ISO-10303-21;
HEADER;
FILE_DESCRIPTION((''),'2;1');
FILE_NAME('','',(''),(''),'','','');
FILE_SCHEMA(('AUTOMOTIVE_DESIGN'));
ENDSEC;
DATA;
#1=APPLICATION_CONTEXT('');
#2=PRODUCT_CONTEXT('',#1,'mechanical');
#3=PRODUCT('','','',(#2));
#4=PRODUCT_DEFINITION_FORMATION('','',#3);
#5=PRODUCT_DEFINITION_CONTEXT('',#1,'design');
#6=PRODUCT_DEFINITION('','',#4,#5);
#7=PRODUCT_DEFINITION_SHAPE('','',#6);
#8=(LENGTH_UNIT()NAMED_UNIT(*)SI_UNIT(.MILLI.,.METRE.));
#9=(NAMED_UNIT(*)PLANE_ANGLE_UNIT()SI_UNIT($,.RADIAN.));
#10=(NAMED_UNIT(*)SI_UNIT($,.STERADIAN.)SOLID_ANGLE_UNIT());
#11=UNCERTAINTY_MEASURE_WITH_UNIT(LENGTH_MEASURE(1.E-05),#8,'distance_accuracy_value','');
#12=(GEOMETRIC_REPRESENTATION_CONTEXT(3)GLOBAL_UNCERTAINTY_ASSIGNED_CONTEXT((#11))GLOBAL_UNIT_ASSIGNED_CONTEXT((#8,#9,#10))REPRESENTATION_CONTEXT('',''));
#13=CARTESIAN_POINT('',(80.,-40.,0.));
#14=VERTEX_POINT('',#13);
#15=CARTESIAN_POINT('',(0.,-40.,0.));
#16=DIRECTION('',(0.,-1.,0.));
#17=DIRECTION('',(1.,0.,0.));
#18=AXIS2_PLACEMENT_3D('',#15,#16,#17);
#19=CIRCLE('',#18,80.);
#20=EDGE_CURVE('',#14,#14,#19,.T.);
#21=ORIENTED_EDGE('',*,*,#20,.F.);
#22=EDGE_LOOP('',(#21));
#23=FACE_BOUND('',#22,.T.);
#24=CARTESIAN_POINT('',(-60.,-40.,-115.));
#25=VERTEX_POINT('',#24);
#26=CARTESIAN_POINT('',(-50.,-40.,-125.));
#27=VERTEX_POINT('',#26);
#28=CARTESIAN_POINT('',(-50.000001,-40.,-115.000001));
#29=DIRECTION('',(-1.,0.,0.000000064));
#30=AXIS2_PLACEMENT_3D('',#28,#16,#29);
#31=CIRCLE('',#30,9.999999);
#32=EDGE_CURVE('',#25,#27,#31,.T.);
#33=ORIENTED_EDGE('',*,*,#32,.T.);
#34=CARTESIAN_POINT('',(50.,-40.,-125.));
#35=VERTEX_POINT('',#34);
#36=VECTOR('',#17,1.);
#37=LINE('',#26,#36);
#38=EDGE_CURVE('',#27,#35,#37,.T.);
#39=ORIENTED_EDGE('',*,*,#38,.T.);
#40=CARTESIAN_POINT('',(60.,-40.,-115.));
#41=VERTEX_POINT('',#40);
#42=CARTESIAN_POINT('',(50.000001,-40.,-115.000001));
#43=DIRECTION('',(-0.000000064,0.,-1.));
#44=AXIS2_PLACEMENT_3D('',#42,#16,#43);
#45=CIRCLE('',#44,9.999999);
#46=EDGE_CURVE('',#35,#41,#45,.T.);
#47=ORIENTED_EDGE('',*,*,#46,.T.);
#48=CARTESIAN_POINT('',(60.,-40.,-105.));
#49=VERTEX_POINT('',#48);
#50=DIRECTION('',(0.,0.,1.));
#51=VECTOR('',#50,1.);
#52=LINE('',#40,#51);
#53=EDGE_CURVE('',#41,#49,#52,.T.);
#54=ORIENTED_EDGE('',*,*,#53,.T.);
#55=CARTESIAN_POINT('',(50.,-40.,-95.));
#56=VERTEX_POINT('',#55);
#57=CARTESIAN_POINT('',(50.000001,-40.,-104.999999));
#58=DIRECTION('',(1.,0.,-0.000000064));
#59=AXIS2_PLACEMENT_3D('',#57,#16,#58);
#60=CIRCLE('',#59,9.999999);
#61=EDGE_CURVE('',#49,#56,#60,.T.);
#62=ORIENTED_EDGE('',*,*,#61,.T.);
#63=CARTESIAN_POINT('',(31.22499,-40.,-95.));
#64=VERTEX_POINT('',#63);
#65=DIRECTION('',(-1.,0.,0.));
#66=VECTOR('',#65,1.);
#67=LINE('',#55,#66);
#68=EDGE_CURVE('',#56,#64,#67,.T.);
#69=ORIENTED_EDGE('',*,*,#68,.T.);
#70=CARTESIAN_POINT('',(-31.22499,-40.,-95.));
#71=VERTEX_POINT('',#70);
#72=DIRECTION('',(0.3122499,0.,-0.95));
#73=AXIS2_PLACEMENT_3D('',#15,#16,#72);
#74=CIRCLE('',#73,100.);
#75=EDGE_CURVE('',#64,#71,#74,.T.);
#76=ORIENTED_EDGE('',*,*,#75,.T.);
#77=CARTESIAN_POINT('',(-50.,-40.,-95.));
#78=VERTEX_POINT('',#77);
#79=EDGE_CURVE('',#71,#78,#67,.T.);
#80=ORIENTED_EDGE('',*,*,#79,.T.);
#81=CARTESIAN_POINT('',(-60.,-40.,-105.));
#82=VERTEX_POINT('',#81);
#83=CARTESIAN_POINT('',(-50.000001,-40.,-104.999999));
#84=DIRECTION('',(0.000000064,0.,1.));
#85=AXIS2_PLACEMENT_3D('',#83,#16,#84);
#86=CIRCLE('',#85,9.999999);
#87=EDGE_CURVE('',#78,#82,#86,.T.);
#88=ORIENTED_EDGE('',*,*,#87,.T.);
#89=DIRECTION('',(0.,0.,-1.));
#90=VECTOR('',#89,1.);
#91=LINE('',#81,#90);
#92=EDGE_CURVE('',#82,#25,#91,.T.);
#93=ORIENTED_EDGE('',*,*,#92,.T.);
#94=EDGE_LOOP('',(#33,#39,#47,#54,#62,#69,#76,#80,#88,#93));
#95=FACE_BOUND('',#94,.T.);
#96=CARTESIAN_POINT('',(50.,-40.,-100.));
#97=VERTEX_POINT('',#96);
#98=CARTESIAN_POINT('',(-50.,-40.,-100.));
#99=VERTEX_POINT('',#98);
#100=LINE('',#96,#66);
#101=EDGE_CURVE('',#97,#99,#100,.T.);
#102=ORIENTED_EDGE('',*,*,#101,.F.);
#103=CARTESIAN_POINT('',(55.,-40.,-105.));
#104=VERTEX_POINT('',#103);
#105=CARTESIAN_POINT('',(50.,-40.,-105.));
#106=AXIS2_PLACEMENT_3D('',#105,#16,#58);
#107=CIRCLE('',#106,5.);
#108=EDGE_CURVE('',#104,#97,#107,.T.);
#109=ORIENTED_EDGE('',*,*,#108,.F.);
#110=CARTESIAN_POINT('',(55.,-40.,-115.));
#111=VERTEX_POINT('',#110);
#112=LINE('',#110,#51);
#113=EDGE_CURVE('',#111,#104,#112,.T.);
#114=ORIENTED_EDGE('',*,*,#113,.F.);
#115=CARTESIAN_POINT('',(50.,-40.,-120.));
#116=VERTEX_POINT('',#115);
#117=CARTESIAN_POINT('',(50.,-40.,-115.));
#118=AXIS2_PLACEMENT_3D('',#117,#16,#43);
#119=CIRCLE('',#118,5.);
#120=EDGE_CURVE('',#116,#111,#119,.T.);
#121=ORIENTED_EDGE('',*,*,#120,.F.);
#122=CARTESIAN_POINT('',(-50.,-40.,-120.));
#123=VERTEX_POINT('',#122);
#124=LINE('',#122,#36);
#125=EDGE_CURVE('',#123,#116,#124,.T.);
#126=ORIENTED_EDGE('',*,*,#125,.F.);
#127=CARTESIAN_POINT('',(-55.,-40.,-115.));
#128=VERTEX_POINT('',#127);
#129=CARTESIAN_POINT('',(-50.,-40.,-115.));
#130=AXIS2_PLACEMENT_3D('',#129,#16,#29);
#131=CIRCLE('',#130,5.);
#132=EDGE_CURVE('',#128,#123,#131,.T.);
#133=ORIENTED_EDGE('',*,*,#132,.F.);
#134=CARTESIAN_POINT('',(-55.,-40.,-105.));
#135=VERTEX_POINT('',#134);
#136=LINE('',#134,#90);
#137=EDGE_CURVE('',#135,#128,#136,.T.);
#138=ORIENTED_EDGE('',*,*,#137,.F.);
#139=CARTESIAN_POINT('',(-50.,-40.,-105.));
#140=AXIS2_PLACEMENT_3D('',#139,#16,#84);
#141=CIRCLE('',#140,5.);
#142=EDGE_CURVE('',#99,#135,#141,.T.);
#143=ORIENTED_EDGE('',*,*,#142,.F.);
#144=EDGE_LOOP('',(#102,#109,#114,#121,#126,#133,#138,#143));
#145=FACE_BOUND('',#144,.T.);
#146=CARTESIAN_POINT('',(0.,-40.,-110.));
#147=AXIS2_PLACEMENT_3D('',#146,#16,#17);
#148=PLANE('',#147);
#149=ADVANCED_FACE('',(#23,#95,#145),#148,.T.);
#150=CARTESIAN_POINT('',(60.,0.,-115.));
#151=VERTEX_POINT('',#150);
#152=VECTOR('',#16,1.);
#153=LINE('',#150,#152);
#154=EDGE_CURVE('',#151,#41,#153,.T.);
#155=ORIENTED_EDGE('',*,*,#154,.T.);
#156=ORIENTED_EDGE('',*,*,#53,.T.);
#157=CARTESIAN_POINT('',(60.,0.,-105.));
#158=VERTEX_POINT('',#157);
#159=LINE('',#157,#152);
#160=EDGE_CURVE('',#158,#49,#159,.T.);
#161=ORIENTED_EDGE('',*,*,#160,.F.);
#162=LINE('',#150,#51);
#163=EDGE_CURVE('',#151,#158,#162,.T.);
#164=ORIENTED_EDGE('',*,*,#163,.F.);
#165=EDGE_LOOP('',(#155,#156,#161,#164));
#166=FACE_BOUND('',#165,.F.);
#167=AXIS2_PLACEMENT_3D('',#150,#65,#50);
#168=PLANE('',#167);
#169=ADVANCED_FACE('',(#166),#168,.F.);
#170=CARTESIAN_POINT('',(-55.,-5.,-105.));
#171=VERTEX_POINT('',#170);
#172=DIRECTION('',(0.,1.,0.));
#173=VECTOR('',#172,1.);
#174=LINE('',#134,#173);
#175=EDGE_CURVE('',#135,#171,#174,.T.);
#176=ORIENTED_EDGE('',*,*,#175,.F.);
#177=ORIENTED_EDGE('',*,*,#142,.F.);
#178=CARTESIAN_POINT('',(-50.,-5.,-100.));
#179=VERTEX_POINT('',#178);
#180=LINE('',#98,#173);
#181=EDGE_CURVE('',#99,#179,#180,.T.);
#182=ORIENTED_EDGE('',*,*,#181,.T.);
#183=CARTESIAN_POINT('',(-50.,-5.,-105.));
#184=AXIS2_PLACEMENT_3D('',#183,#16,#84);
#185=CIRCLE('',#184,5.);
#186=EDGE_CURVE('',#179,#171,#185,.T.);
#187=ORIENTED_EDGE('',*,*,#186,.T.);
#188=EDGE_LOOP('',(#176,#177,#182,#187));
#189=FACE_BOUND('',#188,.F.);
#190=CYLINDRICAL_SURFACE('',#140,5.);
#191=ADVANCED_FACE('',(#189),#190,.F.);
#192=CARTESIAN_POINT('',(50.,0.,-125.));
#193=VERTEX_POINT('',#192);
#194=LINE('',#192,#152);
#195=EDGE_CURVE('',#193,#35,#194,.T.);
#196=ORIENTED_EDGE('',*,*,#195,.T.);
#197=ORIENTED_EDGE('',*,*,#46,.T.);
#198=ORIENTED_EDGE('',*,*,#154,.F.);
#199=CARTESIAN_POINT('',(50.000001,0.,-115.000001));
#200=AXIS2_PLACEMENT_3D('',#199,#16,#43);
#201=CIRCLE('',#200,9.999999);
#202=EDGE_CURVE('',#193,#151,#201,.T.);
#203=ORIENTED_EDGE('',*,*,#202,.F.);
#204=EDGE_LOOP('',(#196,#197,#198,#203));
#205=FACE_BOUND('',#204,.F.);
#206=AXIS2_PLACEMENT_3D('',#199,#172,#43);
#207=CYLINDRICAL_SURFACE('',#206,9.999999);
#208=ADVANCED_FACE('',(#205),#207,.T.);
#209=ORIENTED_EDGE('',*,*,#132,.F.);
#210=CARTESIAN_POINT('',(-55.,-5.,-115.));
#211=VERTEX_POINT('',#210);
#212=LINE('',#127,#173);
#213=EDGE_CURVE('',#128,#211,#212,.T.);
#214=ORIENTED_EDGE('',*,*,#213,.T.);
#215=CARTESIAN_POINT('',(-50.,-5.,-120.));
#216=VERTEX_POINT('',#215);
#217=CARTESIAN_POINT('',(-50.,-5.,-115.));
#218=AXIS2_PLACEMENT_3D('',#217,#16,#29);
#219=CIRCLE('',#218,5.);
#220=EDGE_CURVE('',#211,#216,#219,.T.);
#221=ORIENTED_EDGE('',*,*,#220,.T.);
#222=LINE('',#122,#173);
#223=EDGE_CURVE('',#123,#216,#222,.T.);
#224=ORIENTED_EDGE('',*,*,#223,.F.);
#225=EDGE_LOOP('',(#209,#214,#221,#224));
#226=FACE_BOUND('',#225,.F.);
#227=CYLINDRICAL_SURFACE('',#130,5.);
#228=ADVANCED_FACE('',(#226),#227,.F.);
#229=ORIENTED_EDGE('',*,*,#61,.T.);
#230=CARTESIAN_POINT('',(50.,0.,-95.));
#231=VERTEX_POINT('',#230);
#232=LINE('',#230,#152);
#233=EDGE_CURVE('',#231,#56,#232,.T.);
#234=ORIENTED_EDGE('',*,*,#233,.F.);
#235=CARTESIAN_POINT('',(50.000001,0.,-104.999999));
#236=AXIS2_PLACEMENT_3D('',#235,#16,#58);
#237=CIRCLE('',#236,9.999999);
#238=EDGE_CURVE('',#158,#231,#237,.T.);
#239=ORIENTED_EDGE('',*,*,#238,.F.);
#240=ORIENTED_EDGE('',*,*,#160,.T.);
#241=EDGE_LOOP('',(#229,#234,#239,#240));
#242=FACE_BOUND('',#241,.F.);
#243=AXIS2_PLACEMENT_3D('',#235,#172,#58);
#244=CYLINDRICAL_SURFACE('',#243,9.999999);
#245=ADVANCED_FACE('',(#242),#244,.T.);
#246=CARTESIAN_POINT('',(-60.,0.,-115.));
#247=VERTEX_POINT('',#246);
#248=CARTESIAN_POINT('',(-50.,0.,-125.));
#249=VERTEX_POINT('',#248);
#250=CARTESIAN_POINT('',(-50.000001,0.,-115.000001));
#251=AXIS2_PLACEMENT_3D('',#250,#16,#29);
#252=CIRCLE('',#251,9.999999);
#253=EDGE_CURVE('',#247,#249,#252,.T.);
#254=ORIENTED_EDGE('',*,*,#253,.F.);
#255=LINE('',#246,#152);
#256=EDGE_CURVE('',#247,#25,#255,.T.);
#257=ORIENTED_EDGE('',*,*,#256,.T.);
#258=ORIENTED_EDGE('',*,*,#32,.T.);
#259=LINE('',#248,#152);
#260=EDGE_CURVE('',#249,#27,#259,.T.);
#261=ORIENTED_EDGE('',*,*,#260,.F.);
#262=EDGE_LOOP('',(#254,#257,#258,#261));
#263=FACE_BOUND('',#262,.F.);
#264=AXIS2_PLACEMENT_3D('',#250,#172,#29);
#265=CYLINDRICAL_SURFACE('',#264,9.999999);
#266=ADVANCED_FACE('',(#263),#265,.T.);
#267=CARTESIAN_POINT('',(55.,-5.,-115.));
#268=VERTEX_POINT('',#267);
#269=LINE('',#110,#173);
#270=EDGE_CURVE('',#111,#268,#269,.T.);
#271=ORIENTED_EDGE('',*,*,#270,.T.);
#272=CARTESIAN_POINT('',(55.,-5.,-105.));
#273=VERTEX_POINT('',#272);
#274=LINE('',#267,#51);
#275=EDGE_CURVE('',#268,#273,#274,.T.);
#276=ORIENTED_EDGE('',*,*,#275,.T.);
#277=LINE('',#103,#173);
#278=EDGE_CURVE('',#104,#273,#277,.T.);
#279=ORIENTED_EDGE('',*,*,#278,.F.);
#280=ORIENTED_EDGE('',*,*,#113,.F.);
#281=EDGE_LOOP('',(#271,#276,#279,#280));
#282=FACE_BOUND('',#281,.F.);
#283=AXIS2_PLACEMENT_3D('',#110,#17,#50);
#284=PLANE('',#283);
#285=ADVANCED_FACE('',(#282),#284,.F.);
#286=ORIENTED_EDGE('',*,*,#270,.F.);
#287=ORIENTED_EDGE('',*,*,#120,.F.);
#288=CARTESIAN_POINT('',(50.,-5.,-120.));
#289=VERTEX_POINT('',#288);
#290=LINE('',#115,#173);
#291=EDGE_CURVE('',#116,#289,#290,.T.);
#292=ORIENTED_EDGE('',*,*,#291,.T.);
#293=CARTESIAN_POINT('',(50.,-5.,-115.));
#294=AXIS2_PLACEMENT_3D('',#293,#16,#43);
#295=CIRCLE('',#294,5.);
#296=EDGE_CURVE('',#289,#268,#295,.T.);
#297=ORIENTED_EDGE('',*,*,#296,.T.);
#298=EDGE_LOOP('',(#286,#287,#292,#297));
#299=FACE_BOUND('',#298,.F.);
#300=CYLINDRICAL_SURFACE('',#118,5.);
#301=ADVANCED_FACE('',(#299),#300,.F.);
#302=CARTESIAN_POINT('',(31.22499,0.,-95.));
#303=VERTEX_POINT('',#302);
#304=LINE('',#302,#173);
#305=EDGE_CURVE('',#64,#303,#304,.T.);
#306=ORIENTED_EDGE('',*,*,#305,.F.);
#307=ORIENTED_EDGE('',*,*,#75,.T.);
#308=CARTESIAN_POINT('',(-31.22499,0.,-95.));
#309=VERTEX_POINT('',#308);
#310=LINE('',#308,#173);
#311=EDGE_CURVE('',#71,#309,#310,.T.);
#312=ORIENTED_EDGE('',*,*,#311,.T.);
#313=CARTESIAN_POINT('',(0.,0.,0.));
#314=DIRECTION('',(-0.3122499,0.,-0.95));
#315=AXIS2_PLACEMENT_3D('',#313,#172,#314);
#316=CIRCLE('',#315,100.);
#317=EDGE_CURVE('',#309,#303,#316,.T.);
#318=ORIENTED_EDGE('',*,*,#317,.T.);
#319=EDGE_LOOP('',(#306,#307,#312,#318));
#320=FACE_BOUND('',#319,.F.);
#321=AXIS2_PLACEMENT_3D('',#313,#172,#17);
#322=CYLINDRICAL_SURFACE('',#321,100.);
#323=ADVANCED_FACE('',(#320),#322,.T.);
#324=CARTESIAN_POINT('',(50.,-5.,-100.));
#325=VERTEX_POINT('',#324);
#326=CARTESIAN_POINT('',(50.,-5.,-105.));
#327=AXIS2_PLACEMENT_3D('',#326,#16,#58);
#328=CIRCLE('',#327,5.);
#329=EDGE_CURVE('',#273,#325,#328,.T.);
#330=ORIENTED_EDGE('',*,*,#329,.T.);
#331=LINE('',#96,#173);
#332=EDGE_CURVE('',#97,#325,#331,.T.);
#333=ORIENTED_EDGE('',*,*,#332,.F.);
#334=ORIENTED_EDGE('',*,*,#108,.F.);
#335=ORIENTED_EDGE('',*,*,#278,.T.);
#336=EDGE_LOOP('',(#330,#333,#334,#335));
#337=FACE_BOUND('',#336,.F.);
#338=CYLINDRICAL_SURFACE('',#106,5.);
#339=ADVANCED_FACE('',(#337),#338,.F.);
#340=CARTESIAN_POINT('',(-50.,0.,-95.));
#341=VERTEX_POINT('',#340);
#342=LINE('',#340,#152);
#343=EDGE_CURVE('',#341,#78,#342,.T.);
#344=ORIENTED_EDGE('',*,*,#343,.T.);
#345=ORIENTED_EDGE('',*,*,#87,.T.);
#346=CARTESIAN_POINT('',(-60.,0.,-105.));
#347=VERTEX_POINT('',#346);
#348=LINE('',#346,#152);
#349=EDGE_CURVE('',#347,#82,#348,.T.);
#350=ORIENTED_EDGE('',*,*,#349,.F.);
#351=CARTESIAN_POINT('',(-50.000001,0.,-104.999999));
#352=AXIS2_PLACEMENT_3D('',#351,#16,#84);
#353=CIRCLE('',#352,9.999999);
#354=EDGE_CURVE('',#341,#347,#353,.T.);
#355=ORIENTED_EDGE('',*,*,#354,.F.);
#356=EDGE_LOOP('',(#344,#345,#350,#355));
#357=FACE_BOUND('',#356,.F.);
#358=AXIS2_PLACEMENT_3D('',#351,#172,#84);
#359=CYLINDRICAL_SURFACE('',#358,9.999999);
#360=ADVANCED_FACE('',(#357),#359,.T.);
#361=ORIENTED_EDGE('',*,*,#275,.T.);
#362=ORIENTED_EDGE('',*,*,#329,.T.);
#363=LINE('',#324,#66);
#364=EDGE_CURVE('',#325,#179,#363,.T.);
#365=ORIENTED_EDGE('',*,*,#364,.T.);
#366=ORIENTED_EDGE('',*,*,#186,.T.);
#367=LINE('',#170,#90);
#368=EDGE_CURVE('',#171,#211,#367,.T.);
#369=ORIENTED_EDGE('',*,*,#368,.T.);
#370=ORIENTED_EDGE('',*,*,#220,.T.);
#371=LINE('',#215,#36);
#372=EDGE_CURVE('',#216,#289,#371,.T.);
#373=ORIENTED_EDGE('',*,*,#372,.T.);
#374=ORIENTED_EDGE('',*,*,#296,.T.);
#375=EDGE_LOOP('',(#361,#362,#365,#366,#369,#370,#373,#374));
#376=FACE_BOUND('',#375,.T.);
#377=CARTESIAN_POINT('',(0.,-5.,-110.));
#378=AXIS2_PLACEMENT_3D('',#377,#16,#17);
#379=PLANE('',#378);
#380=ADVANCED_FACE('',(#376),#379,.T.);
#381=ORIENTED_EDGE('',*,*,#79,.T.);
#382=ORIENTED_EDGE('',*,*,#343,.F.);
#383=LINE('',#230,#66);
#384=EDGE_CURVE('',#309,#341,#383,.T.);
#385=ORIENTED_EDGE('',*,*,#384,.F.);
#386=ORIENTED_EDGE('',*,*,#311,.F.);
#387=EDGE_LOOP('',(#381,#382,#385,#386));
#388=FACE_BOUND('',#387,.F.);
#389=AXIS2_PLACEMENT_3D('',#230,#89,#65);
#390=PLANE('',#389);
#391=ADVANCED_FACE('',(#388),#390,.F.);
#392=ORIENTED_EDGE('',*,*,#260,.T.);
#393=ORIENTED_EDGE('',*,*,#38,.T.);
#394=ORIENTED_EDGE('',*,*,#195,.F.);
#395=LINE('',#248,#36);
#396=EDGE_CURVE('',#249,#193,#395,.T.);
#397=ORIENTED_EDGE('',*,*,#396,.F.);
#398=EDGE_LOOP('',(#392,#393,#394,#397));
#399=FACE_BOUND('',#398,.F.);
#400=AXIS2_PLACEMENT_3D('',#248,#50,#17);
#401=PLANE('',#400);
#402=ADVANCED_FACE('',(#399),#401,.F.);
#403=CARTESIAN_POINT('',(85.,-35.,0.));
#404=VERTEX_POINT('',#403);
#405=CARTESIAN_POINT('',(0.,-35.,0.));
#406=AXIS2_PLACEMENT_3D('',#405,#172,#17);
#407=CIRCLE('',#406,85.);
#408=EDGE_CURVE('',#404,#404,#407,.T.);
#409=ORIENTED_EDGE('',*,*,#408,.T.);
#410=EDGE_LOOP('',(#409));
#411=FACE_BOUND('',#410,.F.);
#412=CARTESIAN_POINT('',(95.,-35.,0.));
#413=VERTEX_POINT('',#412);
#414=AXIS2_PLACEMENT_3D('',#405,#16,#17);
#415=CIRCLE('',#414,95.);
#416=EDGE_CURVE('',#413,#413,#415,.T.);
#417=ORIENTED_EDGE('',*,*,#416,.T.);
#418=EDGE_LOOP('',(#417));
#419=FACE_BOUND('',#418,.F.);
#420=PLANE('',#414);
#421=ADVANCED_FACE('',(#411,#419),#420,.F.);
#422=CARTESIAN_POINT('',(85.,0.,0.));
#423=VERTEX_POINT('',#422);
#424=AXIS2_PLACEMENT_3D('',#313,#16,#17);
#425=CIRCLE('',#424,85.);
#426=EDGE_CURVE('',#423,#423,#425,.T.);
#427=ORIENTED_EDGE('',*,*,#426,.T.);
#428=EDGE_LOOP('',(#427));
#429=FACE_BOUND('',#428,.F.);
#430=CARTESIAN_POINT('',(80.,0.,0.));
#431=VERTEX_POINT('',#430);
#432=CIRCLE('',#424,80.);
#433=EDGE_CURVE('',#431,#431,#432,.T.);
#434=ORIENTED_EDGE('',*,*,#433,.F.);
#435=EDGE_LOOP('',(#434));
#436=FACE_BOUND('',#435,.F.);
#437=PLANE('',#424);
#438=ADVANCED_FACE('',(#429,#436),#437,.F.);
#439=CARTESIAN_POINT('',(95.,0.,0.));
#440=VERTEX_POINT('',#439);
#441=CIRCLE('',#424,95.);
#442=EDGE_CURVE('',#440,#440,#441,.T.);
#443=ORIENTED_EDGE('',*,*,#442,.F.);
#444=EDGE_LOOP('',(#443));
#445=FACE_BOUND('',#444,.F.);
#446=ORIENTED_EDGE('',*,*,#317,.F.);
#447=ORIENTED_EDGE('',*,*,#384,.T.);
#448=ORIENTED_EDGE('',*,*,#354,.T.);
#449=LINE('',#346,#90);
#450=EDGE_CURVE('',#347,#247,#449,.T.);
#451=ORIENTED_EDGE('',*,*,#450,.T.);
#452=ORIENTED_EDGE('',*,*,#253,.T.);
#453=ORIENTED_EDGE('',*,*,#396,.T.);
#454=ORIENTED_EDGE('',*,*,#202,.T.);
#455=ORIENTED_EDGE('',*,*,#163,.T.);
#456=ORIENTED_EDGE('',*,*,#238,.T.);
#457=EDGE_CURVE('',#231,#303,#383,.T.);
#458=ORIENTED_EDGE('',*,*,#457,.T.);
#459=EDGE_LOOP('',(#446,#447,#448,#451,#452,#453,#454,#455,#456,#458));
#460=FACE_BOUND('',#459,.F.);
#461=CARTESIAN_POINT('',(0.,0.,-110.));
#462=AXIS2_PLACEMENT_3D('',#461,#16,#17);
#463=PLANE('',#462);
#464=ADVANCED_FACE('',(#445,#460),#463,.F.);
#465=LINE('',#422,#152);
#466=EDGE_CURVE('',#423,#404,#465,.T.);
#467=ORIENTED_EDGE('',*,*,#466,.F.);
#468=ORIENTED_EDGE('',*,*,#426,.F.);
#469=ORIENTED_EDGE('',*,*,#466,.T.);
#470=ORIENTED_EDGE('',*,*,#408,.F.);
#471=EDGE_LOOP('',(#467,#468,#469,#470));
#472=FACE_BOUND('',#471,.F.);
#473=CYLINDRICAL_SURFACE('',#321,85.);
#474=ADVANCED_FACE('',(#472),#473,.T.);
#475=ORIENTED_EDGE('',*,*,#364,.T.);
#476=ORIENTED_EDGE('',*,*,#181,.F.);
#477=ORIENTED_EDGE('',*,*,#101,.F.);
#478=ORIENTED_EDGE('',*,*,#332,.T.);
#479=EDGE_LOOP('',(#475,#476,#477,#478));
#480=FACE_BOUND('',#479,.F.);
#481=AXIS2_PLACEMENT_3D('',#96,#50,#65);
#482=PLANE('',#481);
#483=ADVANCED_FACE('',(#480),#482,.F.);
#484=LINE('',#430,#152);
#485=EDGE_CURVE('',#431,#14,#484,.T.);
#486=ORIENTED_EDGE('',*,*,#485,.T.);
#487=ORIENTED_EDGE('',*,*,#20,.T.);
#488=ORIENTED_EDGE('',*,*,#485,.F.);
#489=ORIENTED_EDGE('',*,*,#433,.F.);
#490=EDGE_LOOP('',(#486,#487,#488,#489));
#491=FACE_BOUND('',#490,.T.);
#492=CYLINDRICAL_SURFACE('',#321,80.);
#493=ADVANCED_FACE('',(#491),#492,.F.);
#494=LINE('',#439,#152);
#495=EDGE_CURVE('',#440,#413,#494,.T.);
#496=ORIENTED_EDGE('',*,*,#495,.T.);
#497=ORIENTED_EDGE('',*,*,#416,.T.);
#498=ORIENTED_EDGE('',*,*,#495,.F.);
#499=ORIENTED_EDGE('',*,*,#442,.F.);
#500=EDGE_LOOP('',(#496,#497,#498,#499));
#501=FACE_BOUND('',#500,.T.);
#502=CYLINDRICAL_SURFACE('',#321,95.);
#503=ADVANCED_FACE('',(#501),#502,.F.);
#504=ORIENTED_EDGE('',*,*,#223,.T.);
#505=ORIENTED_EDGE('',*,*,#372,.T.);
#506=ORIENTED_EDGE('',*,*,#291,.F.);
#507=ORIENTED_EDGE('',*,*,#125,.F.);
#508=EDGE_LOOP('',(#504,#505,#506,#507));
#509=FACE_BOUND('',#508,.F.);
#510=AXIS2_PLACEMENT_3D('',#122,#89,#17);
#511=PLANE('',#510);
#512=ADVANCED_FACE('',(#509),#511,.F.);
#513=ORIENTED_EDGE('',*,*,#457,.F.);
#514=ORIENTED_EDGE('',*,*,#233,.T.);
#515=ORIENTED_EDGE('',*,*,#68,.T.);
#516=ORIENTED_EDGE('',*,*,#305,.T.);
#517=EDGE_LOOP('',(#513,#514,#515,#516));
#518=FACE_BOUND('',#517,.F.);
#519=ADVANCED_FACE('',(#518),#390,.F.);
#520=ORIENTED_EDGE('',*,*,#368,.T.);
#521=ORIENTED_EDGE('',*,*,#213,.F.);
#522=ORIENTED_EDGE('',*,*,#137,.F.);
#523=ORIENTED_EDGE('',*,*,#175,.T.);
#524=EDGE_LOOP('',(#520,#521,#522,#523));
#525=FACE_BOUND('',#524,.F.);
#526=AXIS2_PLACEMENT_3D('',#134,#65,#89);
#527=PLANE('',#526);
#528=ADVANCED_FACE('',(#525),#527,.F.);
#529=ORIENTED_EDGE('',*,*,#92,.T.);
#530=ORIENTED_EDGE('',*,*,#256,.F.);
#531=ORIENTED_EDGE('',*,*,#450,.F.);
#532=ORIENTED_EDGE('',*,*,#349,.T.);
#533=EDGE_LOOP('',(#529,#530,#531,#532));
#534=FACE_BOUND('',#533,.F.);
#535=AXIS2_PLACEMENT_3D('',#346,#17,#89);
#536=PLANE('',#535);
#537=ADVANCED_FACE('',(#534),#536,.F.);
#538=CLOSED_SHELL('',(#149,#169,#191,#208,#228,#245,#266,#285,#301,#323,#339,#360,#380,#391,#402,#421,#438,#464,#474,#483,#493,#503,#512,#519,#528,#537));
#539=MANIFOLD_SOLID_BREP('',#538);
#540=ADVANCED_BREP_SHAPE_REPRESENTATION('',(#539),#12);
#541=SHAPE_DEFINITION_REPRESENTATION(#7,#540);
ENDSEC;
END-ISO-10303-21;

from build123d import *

# Parameters (mm, degrees)
SKETCH_R     = 100
SKETCH_R_2   = 80
PAD_DEPTH    = 40
THICKNESS_T  = -5
PAD001_DEPTH = 40
POCKET_DEPTH = 35


with BuildPart() as part:
    # Sketch → Pad (new body)
    with BuildSketch(Plane.XZ):
        Circle(SKETCH_R)
        Circle(SKETCH_R_2, mode=Mode.SUBTRACT)
    extrude(amount=PAD_DEPTH)

    # Thickness
    thickness_openings = [part.faces().sort_by_distance(p)[0] for p in [
        (-97.171573, 0, 0),
    ]]
    offset(amount=THICKNESS_T, openings=thickness_openings)

    # Sketch001 → Pad001 (join)
    with BuildSketch(Plane.XZ):
        with BuildLine():
            Line((-60, -105), (-60, -115))
            ThreePointArc((-60, -115), (-57.071068, -122.071068), (-50, -125))
            Line((-50, -125), (50, -125))
            ThreePointArc((50, -125), (57.071068, -122.071068), (60, -115))
            Line((60, -115), (60, -105))
            ThreePointArc((60, -105), (57.071068, -97.928932), (50, -95))
            Line((50, -95), (-50, -95))
            ThreePointArc((-50, -95), (-57.071068, -97.928932), (-60, -105))
        make_face()
    extrude(amount=PAD001_DEPTH)

    # Sketch002 (on Face11 of Pad001) → Pocket (cut)
    with BuildSketch(Plane.XZ.offset(40)):
        with BuildLine():
            Line((-55, -105), (-55, -115))
            ThreePointArc((-55, -115), (-53.535534, -118.535534), (-50, -120))
            Line((-50, -120), (50, -120))
            ThreePointArc((50, -120), (53.535534, -118.535534), (55, -115))
            Line((55, -115), (55, -105))
            ThreePointArc((55, -105), (53.535534, -101.464466), (50, -100))
            Line((50, -100), (-50, -100))
            ThreePointArc((-50, -100), (-53.535534, -101.464466), (-55, -105))
        make_face()
    extrude(amount=-POCKET_DEPTH, mode=Mode.SUBTRACT)


solid = part.part
